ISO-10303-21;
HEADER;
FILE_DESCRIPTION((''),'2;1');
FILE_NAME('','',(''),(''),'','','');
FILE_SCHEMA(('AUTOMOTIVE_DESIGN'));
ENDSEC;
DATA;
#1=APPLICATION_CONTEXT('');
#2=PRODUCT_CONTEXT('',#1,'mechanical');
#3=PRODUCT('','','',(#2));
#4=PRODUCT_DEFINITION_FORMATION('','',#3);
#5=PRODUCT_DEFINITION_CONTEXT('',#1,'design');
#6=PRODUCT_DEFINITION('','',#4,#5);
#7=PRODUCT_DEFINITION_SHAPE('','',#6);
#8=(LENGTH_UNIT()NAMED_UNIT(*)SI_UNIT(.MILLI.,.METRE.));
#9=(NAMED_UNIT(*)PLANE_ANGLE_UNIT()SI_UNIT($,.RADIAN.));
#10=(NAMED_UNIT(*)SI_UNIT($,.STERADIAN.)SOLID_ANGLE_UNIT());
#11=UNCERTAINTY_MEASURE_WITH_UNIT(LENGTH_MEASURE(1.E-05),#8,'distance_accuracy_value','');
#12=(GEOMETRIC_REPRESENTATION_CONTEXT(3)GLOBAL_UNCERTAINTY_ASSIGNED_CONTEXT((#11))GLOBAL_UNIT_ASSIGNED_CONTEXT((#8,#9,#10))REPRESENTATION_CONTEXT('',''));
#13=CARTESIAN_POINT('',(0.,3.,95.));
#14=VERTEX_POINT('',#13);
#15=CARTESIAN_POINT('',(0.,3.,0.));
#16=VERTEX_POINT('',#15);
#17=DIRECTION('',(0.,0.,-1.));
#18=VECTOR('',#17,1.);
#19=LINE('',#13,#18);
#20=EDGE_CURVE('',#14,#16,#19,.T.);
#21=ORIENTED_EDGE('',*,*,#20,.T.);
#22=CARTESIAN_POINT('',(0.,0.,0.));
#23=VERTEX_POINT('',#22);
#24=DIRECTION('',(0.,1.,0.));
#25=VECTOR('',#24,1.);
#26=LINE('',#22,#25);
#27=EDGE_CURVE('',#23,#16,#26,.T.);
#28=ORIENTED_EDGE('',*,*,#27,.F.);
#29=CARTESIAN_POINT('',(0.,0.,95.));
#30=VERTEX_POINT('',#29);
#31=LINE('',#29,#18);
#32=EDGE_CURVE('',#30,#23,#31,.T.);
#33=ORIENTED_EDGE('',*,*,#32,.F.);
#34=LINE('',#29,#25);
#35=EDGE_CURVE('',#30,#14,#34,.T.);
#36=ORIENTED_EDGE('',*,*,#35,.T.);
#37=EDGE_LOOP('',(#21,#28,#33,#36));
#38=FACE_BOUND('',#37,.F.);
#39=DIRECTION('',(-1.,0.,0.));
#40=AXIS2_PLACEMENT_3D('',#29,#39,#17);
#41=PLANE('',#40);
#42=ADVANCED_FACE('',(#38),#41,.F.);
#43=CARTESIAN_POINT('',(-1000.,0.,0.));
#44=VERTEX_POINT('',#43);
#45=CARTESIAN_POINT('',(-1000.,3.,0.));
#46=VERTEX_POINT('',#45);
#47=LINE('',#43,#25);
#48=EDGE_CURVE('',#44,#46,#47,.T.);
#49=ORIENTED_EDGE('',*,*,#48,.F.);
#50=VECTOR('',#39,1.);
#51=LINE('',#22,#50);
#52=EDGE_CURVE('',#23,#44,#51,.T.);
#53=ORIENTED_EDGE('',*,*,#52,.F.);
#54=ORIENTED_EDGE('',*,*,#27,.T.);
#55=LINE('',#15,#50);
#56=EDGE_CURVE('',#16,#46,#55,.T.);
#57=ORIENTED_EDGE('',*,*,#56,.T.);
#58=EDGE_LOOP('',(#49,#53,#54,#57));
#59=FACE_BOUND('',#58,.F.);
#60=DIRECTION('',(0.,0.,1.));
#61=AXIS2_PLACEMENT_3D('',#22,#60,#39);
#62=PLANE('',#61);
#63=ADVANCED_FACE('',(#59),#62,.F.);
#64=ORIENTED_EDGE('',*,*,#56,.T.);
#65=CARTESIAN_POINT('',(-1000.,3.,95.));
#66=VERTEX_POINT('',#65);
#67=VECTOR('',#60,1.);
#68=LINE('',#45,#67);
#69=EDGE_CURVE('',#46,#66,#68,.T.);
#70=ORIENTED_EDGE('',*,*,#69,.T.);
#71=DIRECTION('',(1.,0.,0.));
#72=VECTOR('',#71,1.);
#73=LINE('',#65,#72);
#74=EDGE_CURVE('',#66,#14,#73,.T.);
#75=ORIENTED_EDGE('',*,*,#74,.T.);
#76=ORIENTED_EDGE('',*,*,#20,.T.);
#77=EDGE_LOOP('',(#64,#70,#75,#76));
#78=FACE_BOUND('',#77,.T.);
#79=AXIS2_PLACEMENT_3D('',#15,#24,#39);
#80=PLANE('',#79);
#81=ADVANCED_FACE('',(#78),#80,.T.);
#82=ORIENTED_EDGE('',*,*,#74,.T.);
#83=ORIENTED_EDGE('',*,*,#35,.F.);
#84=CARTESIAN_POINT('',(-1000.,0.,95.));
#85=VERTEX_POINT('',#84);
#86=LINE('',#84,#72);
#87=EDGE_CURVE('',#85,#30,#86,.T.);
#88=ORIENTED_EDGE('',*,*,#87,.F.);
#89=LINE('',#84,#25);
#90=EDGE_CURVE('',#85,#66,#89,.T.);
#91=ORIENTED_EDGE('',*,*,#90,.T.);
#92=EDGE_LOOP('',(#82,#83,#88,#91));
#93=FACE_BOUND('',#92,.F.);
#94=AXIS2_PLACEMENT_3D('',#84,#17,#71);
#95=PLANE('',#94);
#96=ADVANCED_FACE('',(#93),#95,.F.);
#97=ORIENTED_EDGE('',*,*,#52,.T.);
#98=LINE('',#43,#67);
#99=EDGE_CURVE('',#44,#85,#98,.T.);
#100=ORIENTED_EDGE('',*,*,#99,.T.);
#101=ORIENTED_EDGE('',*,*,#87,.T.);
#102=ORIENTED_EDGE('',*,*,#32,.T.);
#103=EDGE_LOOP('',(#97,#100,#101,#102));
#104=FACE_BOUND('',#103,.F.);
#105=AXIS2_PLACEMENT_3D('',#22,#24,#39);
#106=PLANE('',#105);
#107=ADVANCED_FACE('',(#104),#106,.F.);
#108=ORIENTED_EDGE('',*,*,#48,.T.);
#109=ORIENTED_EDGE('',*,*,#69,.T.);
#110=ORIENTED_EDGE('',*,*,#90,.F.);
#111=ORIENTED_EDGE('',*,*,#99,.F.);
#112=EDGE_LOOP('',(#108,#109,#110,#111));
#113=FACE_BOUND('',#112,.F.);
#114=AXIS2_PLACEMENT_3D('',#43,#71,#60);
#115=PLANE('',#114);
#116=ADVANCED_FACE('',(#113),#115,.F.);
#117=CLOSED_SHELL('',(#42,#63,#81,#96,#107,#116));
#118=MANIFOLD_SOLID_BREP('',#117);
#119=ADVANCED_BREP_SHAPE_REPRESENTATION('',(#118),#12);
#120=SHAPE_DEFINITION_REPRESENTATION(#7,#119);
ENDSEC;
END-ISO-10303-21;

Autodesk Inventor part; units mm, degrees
ref_plane "YZ Plane" through (0, 0, 0) normal (1, 0, 0) x (0, 1, 0)
ref_plane "XZ Plane" through (0, 0, 0) normal (0, 1, 0) x (-1, 0, 0)
ref_plane "XY Plane" through (0, 0, 0) normal (0, 0, 1) x (1, 0, 0)
sketch "Sketch1" plane through (0, 0, 0) normal (0, 1, 0) x (-1, 0, 0)
  line L0 (0, 0) -> (1000, 0)
  line L1 (1000, 0) -> (1000, 95)
  line L2 (1000, 95) -> (0, 95)
  line L3 (0, 95) -> (0, 0)
  dimension "d0" = 1000
  dimension "d1" = 95
extrude "Extrusion1" add sketch "Sketch1" along normal blind 3
properties part number "Balsa(95x1000x1.5)"
